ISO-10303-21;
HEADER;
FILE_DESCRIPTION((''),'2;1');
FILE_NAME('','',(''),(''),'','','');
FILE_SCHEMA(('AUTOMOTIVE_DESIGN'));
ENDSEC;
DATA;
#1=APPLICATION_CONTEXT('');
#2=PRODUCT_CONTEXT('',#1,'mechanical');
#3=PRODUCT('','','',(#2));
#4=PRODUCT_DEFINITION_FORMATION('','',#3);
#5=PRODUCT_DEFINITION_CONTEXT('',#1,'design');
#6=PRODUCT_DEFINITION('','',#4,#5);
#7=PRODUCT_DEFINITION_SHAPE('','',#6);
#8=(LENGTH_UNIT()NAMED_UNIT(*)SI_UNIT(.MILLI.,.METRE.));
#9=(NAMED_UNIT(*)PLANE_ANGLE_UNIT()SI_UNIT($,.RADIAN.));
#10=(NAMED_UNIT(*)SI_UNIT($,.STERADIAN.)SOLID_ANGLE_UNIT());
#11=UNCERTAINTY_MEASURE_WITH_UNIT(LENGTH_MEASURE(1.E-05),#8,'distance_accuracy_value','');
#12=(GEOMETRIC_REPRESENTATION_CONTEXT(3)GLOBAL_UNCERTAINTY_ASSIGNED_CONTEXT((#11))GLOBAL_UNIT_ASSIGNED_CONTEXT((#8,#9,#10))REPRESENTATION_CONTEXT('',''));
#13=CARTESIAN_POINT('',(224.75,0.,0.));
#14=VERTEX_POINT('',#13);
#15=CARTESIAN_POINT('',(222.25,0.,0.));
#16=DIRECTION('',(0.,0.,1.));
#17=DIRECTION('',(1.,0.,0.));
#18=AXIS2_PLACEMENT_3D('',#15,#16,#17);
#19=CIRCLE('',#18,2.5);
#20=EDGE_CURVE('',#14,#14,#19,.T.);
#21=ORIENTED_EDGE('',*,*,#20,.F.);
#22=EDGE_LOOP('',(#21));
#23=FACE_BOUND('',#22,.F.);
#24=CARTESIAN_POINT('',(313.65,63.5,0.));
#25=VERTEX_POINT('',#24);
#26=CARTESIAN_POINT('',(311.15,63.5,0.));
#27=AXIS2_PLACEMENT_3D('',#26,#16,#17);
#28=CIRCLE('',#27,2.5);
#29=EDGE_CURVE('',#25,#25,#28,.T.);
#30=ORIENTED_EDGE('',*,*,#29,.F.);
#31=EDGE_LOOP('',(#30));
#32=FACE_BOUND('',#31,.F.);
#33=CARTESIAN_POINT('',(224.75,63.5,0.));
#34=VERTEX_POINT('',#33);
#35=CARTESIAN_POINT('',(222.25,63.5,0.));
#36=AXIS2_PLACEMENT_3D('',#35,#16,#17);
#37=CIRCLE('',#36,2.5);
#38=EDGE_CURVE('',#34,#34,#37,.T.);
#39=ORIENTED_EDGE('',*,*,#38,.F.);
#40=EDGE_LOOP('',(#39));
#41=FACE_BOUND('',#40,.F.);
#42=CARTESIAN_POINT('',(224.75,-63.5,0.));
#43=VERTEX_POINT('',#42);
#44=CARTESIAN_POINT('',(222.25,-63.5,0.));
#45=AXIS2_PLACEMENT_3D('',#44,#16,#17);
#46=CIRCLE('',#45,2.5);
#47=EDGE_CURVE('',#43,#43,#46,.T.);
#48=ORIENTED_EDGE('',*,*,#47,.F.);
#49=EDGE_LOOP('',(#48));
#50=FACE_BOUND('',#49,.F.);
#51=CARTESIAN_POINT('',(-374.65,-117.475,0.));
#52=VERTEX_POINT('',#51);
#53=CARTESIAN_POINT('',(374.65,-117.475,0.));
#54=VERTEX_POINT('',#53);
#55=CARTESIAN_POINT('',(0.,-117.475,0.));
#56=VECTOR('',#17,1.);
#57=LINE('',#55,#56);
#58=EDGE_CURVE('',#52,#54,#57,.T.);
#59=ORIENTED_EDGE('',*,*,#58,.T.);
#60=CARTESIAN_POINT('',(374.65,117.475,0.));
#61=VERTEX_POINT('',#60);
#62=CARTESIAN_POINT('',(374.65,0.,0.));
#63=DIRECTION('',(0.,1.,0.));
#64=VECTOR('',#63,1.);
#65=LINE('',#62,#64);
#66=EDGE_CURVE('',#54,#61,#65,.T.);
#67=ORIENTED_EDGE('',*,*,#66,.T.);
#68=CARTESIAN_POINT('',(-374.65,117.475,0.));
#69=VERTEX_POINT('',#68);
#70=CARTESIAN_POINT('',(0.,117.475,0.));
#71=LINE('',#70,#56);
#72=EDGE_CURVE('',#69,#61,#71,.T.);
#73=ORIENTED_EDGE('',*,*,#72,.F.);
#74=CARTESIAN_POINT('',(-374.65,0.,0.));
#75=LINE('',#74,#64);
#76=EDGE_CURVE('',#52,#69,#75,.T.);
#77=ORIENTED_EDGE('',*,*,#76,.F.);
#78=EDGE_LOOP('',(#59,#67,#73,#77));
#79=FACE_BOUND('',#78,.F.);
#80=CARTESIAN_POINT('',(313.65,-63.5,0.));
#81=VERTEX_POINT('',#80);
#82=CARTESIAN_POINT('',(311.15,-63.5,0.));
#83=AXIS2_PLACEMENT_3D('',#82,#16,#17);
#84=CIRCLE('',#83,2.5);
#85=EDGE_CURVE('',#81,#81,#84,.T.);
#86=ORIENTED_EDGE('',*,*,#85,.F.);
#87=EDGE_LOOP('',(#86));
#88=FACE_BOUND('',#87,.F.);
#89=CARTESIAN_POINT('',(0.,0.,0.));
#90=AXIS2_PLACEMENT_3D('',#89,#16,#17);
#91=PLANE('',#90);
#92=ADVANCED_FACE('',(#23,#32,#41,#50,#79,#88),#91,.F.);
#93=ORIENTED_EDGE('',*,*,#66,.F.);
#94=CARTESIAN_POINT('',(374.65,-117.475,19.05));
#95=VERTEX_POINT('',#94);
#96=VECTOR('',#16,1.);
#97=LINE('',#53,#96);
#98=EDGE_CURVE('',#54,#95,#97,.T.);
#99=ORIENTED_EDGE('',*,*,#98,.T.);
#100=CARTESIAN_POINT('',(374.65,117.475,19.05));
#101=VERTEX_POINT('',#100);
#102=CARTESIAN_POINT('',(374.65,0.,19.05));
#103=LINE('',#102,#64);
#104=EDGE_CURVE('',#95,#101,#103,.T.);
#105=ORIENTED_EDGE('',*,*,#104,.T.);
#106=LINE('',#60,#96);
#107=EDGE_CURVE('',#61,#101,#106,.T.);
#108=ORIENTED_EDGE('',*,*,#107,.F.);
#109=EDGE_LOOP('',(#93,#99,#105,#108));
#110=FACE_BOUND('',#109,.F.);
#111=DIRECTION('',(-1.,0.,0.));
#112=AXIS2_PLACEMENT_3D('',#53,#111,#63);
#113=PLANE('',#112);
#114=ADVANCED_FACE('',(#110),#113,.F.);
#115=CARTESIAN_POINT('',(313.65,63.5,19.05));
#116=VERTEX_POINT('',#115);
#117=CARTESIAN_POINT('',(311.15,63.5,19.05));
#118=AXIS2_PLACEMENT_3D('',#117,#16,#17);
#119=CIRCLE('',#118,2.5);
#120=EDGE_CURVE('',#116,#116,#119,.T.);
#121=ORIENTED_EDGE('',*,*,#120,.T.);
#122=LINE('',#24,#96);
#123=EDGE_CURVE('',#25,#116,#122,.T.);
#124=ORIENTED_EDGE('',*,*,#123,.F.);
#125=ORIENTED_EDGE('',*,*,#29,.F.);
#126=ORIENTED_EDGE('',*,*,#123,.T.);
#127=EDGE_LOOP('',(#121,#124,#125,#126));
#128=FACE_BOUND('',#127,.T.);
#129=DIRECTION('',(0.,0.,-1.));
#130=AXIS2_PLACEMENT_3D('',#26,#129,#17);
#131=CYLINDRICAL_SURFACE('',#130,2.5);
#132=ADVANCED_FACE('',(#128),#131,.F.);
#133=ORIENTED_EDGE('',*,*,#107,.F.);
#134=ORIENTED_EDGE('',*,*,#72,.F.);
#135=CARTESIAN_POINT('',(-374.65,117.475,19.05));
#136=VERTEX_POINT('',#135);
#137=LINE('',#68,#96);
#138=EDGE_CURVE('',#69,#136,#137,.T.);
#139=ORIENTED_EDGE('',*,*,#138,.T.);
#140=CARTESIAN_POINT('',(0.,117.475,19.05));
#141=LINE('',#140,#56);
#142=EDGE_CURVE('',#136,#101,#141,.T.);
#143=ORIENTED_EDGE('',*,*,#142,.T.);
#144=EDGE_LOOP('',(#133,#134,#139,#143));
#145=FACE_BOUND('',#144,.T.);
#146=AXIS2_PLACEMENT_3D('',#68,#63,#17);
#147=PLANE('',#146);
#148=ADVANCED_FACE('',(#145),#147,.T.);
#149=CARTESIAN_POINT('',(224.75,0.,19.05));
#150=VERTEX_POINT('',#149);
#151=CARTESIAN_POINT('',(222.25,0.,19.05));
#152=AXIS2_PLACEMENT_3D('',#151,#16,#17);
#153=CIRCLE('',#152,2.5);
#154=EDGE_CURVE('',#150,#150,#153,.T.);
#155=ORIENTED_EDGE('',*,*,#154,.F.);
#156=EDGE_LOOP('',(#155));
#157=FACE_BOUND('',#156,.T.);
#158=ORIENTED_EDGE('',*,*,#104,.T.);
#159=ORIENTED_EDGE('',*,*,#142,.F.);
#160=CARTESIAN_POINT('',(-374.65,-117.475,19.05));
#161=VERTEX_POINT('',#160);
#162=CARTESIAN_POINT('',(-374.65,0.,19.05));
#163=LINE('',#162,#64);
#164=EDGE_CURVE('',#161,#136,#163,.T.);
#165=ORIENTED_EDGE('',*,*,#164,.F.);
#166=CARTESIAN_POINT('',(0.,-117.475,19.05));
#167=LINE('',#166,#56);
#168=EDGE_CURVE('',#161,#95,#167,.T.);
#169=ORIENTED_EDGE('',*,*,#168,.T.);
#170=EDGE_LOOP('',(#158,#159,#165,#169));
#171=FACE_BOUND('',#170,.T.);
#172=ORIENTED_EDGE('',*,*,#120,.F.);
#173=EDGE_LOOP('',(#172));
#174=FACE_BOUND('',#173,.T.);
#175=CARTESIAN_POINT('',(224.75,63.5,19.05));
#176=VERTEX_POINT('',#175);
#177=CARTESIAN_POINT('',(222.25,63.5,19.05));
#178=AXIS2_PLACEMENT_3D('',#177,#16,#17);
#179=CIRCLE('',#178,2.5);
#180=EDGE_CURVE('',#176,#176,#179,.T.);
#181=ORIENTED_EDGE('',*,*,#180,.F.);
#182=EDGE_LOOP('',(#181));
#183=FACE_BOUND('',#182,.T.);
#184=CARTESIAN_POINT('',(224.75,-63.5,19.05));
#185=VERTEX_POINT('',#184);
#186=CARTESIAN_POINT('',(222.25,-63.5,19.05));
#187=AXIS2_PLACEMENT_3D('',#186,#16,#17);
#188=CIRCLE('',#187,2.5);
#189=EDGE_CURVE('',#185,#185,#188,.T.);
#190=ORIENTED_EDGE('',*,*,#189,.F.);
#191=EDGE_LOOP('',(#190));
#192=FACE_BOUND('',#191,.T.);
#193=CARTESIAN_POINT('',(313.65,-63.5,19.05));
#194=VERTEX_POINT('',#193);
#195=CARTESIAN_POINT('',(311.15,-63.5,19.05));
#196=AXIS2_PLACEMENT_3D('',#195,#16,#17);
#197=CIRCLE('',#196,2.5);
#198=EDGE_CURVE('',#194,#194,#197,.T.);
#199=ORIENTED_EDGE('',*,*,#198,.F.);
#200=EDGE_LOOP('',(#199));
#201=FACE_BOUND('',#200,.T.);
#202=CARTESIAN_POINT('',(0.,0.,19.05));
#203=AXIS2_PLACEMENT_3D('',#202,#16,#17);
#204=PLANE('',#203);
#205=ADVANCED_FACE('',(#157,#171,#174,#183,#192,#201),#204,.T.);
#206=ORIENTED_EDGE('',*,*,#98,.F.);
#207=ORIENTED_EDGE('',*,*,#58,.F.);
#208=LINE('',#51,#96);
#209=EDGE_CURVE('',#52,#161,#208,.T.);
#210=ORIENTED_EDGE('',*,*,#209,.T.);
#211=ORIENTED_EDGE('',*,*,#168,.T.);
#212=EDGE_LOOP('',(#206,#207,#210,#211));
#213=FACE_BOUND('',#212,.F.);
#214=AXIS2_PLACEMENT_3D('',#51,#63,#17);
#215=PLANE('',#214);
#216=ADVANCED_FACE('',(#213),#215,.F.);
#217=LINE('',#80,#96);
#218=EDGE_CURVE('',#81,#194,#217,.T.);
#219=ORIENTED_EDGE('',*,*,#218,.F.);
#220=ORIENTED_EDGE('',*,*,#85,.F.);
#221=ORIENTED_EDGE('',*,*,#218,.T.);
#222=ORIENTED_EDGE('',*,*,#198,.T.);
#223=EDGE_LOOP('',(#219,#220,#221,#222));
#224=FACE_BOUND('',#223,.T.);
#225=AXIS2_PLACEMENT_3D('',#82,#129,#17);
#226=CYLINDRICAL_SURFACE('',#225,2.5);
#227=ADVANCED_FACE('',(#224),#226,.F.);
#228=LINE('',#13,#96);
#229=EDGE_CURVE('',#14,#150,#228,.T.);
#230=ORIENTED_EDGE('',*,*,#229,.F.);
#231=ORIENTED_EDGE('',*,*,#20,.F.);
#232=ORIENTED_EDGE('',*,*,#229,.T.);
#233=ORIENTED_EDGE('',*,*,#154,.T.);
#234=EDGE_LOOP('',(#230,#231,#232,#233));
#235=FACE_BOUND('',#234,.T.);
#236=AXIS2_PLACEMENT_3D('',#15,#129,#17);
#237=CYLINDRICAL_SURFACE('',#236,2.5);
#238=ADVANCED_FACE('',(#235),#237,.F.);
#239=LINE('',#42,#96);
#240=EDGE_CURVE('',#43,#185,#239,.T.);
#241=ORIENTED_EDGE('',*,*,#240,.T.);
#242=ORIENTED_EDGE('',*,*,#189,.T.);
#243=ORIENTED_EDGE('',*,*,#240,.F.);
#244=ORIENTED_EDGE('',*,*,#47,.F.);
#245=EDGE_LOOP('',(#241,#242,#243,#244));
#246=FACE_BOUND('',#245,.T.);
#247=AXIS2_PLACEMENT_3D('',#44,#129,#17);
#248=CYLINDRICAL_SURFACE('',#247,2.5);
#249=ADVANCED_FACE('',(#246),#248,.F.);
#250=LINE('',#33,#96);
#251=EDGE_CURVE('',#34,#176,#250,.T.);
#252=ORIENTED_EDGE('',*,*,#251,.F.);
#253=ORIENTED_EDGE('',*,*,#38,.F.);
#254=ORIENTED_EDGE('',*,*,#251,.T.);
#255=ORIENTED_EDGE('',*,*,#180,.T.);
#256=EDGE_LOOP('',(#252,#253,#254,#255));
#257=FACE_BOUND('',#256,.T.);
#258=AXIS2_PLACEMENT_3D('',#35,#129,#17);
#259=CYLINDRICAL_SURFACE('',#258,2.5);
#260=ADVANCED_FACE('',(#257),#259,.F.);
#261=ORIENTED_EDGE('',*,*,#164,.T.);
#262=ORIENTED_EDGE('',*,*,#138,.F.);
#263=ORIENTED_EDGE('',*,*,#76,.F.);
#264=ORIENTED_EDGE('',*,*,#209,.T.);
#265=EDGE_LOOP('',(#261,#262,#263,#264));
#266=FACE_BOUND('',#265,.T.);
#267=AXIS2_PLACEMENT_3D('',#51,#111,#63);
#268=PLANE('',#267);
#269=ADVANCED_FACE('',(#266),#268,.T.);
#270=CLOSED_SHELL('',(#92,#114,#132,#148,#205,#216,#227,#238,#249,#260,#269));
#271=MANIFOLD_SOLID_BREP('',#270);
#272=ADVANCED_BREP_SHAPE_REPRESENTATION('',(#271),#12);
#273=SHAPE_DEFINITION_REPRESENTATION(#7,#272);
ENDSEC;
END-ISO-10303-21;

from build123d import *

# Parameters (mm, degrees)
F0_W     = 749.3
F0_H     = 234.95
F0_R     = 2.5
F1_DEPTH = 19.05


with BuildPart() as f1:
    # F0 (on Top) → F1 (new body)
    with BuildSketch(Plane.XY):
        Rectangle(F0_W, F0_H)
        with Locations((222.25, -63.5)):
            Circle(F0_R, mode=Mode.SUBTRACT)
        with Locations((311.15, -63.5)):
            Circle(F0_R, mode=Mode.SUBTRACT)
        with Locations((222.25, 0)):
            Circle(F0_R, mode=Mode.SUBTRACT)
        with Locations((222.25, 63.5)):
            Circle(F0_R, mode=Mode.SUBTRACT)
        with Locations((311.15, 63.5)):
            Circle(F0_R, mode=Mode.SUBTRACT)
    extrude(amount=F1_DEPTH)


solid = f1.part
